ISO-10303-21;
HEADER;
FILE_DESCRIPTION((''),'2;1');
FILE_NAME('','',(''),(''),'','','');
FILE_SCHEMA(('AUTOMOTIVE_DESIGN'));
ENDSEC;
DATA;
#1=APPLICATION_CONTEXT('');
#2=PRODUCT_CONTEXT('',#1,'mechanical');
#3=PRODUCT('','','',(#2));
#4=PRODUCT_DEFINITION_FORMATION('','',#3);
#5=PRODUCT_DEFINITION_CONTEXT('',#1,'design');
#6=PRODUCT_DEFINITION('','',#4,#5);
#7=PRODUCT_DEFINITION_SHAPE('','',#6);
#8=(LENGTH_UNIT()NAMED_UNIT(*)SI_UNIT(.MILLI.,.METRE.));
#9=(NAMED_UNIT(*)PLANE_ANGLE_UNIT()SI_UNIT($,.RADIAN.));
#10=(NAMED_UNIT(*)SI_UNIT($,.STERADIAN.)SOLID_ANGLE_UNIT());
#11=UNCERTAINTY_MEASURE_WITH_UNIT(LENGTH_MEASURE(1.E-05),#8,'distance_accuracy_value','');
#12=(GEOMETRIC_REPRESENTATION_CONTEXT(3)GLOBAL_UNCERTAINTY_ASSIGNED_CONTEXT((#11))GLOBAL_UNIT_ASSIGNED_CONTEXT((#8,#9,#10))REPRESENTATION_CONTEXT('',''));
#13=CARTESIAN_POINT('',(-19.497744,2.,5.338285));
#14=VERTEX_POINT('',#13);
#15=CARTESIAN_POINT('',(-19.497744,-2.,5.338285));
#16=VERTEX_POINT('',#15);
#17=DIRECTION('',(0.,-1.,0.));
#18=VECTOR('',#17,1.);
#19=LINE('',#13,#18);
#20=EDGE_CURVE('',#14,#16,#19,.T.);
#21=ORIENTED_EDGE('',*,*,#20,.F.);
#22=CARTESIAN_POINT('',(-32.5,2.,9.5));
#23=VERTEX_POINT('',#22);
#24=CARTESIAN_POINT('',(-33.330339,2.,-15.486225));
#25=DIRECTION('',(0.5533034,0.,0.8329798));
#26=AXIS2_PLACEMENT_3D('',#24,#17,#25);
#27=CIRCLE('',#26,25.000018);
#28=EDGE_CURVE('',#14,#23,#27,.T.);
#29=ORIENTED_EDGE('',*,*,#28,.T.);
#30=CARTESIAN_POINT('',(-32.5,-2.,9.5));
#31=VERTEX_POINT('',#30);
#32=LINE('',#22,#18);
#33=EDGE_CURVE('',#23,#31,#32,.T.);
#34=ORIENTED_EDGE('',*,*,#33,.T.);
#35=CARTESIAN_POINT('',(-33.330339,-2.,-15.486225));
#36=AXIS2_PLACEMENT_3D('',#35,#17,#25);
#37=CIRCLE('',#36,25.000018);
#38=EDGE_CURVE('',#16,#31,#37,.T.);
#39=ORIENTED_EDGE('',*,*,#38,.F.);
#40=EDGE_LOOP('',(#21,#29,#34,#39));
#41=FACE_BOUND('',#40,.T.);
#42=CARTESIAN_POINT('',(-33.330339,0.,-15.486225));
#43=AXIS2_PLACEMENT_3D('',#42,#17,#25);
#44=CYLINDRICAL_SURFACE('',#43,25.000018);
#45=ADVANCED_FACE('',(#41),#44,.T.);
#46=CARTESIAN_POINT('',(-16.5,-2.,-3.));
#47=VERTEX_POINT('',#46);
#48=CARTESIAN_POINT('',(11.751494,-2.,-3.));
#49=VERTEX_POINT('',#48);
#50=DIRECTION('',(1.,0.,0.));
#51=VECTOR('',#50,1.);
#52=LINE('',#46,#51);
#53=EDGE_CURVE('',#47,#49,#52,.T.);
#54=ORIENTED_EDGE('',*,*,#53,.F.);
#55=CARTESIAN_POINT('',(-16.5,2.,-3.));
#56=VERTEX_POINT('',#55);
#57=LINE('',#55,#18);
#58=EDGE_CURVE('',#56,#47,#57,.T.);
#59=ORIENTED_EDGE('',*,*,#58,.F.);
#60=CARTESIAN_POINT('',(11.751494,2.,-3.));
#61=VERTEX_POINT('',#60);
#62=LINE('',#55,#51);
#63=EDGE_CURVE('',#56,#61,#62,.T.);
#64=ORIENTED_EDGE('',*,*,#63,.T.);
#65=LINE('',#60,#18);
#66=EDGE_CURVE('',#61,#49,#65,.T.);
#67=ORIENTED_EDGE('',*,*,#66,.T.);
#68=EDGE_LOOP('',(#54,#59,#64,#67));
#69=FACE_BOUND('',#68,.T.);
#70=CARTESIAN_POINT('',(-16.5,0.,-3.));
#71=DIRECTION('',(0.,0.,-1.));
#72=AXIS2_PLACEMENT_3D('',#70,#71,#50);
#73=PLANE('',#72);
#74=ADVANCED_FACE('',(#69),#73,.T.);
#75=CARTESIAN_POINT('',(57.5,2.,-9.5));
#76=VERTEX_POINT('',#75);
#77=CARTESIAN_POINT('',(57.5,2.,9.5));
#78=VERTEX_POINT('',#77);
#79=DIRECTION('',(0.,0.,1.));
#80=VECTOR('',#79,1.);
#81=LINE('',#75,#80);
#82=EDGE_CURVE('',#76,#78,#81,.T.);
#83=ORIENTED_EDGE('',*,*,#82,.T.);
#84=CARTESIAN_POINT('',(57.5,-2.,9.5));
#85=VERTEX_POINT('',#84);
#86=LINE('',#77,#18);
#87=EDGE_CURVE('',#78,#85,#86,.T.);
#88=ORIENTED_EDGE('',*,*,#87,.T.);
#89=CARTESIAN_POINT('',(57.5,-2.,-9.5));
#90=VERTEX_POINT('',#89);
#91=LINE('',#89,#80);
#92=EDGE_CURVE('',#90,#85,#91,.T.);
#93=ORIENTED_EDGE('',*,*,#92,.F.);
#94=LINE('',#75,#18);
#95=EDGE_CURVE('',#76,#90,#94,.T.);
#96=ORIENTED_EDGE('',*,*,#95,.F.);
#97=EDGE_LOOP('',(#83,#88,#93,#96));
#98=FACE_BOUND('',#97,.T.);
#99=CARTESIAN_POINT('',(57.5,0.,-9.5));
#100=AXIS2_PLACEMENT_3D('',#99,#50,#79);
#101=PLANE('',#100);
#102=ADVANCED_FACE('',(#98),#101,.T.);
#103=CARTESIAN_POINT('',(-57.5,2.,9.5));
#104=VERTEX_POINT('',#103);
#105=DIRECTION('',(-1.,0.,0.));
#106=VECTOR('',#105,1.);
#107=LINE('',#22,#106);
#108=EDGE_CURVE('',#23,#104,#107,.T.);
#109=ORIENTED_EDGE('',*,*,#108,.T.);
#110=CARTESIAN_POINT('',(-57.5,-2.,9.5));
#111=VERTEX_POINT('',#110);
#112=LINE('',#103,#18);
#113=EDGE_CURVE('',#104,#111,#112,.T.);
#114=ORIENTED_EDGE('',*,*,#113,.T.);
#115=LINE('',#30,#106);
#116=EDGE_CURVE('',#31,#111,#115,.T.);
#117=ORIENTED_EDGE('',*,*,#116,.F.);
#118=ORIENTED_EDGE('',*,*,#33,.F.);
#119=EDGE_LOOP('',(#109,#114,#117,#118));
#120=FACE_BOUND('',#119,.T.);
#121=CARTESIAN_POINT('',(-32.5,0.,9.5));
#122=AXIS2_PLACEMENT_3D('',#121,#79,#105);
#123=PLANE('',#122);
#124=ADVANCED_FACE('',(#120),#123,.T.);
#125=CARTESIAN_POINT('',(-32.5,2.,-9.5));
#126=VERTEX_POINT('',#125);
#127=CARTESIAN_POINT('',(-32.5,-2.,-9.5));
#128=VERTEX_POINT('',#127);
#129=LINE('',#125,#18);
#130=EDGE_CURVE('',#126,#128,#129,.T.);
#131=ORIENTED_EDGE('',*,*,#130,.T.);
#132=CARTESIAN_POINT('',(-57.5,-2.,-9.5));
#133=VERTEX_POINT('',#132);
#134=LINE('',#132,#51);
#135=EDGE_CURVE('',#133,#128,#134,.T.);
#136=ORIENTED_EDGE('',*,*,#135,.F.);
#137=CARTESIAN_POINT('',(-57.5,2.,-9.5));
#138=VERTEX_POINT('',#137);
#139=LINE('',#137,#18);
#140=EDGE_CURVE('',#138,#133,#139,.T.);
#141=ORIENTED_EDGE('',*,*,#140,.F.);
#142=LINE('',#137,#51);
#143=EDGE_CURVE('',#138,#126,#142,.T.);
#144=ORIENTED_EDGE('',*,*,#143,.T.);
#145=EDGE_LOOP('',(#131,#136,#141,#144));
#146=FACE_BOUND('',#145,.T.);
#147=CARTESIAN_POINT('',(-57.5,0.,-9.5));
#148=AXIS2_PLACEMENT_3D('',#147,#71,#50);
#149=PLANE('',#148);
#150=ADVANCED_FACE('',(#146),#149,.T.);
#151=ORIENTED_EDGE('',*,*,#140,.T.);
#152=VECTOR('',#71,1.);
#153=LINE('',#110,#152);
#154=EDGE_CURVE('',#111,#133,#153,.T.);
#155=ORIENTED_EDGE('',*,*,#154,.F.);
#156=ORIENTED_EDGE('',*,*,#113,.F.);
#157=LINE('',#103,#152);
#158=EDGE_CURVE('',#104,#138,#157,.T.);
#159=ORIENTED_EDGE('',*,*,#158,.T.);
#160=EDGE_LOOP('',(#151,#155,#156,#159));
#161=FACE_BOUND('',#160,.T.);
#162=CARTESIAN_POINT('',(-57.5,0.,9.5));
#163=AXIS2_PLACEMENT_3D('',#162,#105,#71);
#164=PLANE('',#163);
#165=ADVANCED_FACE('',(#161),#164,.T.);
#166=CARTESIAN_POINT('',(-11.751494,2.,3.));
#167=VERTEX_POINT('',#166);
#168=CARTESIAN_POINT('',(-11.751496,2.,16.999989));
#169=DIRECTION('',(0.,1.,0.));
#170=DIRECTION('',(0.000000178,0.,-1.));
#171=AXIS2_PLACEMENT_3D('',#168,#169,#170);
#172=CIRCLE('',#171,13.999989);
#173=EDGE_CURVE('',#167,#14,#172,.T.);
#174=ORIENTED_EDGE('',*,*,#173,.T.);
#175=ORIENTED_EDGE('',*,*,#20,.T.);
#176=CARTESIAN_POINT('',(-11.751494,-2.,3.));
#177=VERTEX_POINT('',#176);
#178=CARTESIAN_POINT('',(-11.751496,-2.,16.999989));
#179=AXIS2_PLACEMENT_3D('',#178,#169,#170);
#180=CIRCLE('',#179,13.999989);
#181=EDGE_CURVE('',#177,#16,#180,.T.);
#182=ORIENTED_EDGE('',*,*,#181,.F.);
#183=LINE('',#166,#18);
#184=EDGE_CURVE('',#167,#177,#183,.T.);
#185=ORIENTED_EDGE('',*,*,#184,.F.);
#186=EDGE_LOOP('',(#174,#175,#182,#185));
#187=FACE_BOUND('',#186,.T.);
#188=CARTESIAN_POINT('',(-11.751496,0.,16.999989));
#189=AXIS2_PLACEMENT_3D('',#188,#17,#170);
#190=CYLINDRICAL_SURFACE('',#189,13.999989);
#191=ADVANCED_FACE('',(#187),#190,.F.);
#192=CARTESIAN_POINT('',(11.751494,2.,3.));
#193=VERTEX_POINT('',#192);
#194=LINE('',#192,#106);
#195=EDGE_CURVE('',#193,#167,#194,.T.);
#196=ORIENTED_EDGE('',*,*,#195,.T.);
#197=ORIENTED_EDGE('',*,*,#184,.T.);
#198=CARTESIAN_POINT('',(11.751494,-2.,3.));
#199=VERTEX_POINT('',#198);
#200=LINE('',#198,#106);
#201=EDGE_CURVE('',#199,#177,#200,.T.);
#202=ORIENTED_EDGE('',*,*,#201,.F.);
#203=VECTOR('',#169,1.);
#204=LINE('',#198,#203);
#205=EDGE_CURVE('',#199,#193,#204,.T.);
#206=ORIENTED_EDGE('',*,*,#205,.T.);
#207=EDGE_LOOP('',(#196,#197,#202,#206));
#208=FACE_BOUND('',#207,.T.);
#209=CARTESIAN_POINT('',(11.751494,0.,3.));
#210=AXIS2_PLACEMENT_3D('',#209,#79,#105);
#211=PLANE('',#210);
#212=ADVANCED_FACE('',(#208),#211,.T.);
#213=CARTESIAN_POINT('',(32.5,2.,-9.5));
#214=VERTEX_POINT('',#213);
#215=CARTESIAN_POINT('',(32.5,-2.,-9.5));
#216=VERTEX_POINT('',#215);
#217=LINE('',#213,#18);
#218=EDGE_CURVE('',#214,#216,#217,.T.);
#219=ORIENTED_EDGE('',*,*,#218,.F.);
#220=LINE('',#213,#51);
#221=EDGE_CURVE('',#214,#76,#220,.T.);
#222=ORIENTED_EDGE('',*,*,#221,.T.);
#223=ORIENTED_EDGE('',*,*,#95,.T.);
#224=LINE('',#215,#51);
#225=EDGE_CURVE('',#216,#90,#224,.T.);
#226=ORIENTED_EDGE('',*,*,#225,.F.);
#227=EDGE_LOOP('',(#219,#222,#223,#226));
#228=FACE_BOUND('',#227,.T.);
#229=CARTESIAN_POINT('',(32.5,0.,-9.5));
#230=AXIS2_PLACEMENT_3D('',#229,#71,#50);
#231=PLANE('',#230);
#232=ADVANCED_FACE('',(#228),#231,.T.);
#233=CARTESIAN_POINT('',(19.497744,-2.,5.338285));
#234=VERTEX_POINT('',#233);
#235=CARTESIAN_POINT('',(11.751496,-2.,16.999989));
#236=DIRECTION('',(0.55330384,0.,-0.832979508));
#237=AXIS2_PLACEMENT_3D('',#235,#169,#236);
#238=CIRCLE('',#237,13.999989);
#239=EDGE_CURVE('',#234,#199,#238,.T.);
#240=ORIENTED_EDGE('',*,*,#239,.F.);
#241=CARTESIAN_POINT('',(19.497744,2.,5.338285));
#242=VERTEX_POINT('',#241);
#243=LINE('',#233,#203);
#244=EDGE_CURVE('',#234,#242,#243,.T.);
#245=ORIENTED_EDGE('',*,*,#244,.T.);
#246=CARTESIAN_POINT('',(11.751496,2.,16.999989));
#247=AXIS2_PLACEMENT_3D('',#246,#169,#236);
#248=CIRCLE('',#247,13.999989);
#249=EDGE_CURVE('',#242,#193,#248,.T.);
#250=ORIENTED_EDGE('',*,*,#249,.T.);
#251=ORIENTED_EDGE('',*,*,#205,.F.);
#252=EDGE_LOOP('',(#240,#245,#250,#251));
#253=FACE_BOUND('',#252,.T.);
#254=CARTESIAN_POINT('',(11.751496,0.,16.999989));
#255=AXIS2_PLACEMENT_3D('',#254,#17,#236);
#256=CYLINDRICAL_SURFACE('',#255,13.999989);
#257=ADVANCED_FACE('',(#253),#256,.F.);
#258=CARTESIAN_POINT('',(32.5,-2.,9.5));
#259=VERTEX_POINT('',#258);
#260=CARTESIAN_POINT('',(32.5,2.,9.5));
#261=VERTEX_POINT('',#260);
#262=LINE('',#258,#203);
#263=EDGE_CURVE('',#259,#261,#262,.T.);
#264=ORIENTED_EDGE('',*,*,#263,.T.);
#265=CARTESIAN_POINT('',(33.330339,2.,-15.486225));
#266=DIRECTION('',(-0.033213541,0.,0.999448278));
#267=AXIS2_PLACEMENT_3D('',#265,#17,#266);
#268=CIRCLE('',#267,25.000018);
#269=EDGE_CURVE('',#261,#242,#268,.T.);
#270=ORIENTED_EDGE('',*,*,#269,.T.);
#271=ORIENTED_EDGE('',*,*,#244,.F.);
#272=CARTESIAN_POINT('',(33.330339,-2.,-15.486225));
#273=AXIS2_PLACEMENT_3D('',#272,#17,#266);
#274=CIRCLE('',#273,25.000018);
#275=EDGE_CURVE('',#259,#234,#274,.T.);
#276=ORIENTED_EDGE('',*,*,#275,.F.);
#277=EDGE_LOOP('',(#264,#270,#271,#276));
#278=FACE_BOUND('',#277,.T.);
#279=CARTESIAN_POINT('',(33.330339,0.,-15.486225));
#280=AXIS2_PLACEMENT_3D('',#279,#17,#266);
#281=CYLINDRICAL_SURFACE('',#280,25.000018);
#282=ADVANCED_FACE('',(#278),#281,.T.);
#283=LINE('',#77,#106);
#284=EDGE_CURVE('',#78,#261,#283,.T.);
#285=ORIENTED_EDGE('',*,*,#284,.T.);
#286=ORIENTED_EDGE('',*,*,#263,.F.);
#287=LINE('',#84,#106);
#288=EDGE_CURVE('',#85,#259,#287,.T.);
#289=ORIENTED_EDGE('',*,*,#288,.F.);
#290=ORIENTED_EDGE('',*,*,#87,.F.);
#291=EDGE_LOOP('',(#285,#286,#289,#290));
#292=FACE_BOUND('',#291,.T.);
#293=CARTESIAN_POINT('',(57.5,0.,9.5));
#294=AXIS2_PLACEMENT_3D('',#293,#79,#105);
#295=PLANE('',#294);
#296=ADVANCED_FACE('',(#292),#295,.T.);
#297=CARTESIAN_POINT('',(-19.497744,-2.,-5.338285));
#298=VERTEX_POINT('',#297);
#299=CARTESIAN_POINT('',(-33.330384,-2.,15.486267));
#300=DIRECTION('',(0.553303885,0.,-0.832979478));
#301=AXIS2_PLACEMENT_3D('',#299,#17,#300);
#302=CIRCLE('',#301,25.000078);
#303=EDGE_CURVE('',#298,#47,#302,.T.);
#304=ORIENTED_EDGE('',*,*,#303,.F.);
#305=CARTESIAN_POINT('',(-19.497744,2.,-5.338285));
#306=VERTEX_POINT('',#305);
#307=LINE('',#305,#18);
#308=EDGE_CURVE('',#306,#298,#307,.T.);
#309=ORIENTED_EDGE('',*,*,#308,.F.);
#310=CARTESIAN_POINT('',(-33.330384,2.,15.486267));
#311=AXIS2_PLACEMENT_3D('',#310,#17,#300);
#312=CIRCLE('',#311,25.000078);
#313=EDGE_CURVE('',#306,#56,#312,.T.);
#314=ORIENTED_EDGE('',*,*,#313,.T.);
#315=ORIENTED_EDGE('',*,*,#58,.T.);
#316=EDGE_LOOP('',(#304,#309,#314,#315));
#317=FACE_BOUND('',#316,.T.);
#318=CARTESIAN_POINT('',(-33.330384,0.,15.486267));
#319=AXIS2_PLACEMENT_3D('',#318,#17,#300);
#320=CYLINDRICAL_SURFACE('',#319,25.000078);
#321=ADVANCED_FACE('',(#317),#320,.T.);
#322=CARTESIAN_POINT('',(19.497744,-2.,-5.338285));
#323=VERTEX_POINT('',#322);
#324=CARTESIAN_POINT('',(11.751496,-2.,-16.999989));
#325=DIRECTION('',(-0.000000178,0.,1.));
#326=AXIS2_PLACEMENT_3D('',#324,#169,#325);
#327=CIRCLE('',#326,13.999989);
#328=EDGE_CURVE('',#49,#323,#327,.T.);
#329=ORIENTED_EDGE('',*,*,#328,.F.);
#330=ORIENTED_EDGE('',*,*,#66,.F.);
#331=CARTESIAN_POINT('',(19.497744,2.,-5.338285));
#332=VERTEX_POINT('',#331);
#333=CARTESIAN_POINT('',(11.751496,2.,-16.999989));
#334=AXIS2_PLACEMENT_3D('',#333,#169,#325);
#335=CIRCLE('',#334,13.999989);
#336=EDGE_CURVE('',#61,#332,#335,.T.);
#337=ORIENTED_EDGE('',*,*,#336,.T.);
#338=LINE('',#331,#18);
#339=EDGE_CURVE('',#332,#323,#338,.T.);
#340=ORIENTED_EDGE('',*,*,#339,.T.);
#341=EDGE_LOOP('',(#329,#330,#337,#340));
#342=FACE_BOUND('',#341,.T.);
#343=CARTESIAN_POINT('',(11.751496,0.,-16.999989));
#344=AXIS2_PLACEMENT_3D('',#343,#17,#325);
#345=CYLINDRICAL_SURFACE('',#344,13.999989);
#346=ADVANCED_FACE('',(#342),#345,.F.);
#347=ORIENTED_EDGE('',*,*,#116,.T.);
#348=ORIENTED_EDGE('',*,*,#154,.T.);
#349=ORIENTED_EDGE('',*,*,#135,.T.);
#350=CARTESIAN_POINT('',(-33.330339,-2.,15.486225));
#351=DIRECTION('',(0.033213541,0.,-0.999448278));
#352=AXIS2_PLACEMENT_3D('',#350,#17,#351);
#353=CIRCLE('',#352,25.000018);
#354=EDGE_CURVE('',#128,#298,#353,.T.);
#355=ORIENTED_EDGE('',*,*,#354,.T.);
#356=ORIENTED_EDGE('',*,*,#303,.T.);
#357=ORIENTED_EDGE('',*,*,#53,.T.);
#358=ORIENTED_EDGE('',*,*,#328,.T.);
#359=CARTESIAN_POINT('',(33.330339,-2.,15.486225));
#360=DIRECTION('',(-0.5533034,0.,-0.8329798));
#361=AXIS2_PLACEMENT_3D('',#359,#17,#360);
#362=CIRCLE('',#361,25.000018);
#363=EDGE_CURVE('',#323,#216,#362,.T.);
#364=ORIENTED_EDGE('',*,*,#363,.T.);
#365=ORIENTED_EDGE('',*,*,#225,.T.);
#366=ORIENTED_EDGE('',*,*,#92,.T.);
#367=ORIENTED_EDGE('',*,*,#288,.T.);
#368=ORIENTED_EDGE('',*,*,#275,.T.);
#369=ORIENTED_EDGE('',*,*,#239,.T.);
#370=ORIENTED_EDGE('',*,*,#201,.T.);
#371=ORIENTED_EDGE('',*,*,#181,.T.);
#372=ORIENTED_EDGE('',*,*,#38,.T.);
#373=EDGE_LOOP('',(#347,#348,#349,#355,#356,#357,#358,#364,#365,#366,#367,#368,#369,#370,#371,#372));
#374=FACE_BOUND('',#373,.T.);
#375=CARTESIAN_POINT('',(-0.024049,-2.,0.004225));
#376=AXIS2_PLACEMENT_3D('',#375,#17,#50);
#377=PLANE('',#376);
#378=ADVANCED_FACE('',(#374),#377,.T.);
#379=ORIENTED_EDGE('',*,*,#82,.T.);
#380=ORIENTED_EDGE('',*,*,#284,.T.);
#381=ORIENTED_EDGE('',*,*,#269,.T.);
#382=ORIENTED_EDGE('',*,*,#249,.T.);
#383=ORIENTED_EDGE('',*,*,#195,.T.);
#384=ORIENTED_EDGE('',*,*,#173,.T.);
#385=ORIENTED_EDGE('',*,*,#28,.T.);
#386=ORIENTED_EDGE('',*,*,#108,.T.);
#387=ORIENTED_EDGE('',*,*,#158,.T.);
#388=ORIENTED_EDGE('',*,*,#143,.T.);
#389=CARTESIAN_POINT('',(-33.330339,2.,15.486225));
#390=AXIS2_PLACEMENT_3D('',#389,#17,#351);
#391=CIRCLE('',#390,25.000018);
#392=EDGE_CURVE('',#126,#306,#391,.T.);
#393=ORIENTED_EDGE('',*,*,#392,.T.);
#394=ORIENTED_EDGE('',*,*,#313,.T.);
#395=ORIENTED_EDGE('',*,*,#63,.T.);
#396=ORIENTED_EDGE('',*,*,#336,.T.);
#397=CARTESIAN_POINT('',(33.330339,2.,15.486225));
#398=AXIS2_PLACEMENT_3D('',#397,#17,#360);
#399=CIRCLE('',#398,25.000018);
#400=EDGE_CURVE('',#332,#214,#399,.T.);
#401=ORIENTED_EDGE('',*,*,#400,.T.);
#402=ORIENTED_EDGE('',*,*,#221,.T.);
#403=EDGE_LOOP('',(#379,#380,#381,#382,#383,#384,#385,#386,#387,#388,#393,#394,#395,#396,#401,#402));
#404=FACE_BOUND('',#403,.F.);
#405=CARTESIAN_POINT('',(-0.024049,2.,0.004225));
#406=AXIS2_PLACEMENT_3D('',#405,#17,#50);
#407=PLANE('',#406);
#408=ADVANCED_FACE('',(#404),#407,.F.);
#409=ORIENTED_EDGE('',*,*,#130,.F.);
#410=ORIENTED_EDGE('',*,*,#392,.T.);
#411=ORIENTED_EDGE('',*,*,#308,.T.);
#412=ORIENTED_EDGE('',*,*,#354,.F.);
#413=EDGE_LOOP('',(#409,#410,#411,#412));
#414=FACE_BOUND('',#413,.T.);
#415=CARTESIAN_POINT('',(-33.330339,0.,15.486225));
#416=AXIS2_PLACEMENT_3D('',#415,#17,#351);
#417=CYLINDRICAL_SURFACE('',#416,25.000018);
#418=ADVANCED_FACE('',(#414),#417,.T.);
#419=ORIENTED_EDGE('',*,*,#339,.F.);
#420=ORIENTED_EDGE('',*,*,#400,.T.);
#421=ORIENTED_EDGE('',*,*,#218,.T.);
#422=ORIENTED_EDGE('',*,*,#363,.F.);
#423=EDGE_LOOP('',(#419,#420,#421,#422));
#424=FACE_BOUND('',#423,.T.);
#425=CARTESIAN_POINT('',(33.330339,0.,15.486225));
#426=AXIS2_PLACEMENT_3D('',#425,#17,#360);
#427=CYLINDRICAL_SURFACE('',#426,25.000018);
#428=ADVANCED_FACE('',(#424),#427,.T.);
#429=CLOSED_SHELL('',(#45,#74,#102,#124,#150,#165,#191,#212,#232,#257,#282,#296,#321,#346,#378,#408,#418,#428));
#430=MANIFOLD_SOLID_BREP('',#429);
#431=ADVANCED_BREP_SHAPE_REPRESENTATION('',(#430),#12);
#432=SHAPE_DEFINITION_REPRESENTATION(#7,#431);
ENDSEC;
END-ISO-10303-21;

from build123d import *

# Parameters (mm, degrees)
F1_DEPTH = 2


with BuildPart() as f1:
    # F0 (on Front) → F1 (new body, symmetric)
    with BuildSketch(Plane.XZ):
        with BuildLine():
            Line((11.751494, 3), (0, 3))
            Line((0, 3), (-11.751494, 3))
            ThreePointArc((-11.751494, 3), (-15.797231, 3.597313), (-19.497744, 5.338285))
            ThreePointArc((-19.497744, 5.338285), (-25.709291, 8.323868), (-32.5, 9.5))
            Line((-32.5, 9.5), (-57.5, 9.5))
            Line((-57.5, 9.5), (-57.5, 0))
            Line((-57.5, 0), (-57.5, -9.5))
            Line((-57.5, -9.5), (-32.5, -9.5))
            ThreePointArc((-32.5, -9.5), (-25.709291, -8.323868), (-19.497744, -5.338285))
            ThreePointArc((-19.497744, -5.338285), (-17.954359, -4.22621), (-16.5, -3))
            Line((-16.5, -3), (-11.751494, -3))
            Line((-11.751494, -3), (0, -3))
            Line((0, -3), (11.751494, -3))
            ThreePointArc((11.751494, -3), (15.797231, -3.597313), (19.497744, -5.338285))
            ThreePointArc((19.497744, -5.338285), (25.709291, -8.323868), (32.5, -9.5))
            Line((32.5, -9.5), (57.5, -9.5))
            Line((57.5, -9.5), (57.5, 0))
            Line((57.5, 0), (57.5, 9.5))
            Line((57.5, 9.5), (32.5, 9.5))
            ThreePointArc((32.5, 9.5), (25.709291, 8.323868), (19.497744, 5.338285))
            ThreePointArc((19.497744, 5.338285), (15.797231, 3.597313), (11.751494, 3))
        make_face()
    extrude(amount=F1_DEPTH, both=True)


solid = f1.part
